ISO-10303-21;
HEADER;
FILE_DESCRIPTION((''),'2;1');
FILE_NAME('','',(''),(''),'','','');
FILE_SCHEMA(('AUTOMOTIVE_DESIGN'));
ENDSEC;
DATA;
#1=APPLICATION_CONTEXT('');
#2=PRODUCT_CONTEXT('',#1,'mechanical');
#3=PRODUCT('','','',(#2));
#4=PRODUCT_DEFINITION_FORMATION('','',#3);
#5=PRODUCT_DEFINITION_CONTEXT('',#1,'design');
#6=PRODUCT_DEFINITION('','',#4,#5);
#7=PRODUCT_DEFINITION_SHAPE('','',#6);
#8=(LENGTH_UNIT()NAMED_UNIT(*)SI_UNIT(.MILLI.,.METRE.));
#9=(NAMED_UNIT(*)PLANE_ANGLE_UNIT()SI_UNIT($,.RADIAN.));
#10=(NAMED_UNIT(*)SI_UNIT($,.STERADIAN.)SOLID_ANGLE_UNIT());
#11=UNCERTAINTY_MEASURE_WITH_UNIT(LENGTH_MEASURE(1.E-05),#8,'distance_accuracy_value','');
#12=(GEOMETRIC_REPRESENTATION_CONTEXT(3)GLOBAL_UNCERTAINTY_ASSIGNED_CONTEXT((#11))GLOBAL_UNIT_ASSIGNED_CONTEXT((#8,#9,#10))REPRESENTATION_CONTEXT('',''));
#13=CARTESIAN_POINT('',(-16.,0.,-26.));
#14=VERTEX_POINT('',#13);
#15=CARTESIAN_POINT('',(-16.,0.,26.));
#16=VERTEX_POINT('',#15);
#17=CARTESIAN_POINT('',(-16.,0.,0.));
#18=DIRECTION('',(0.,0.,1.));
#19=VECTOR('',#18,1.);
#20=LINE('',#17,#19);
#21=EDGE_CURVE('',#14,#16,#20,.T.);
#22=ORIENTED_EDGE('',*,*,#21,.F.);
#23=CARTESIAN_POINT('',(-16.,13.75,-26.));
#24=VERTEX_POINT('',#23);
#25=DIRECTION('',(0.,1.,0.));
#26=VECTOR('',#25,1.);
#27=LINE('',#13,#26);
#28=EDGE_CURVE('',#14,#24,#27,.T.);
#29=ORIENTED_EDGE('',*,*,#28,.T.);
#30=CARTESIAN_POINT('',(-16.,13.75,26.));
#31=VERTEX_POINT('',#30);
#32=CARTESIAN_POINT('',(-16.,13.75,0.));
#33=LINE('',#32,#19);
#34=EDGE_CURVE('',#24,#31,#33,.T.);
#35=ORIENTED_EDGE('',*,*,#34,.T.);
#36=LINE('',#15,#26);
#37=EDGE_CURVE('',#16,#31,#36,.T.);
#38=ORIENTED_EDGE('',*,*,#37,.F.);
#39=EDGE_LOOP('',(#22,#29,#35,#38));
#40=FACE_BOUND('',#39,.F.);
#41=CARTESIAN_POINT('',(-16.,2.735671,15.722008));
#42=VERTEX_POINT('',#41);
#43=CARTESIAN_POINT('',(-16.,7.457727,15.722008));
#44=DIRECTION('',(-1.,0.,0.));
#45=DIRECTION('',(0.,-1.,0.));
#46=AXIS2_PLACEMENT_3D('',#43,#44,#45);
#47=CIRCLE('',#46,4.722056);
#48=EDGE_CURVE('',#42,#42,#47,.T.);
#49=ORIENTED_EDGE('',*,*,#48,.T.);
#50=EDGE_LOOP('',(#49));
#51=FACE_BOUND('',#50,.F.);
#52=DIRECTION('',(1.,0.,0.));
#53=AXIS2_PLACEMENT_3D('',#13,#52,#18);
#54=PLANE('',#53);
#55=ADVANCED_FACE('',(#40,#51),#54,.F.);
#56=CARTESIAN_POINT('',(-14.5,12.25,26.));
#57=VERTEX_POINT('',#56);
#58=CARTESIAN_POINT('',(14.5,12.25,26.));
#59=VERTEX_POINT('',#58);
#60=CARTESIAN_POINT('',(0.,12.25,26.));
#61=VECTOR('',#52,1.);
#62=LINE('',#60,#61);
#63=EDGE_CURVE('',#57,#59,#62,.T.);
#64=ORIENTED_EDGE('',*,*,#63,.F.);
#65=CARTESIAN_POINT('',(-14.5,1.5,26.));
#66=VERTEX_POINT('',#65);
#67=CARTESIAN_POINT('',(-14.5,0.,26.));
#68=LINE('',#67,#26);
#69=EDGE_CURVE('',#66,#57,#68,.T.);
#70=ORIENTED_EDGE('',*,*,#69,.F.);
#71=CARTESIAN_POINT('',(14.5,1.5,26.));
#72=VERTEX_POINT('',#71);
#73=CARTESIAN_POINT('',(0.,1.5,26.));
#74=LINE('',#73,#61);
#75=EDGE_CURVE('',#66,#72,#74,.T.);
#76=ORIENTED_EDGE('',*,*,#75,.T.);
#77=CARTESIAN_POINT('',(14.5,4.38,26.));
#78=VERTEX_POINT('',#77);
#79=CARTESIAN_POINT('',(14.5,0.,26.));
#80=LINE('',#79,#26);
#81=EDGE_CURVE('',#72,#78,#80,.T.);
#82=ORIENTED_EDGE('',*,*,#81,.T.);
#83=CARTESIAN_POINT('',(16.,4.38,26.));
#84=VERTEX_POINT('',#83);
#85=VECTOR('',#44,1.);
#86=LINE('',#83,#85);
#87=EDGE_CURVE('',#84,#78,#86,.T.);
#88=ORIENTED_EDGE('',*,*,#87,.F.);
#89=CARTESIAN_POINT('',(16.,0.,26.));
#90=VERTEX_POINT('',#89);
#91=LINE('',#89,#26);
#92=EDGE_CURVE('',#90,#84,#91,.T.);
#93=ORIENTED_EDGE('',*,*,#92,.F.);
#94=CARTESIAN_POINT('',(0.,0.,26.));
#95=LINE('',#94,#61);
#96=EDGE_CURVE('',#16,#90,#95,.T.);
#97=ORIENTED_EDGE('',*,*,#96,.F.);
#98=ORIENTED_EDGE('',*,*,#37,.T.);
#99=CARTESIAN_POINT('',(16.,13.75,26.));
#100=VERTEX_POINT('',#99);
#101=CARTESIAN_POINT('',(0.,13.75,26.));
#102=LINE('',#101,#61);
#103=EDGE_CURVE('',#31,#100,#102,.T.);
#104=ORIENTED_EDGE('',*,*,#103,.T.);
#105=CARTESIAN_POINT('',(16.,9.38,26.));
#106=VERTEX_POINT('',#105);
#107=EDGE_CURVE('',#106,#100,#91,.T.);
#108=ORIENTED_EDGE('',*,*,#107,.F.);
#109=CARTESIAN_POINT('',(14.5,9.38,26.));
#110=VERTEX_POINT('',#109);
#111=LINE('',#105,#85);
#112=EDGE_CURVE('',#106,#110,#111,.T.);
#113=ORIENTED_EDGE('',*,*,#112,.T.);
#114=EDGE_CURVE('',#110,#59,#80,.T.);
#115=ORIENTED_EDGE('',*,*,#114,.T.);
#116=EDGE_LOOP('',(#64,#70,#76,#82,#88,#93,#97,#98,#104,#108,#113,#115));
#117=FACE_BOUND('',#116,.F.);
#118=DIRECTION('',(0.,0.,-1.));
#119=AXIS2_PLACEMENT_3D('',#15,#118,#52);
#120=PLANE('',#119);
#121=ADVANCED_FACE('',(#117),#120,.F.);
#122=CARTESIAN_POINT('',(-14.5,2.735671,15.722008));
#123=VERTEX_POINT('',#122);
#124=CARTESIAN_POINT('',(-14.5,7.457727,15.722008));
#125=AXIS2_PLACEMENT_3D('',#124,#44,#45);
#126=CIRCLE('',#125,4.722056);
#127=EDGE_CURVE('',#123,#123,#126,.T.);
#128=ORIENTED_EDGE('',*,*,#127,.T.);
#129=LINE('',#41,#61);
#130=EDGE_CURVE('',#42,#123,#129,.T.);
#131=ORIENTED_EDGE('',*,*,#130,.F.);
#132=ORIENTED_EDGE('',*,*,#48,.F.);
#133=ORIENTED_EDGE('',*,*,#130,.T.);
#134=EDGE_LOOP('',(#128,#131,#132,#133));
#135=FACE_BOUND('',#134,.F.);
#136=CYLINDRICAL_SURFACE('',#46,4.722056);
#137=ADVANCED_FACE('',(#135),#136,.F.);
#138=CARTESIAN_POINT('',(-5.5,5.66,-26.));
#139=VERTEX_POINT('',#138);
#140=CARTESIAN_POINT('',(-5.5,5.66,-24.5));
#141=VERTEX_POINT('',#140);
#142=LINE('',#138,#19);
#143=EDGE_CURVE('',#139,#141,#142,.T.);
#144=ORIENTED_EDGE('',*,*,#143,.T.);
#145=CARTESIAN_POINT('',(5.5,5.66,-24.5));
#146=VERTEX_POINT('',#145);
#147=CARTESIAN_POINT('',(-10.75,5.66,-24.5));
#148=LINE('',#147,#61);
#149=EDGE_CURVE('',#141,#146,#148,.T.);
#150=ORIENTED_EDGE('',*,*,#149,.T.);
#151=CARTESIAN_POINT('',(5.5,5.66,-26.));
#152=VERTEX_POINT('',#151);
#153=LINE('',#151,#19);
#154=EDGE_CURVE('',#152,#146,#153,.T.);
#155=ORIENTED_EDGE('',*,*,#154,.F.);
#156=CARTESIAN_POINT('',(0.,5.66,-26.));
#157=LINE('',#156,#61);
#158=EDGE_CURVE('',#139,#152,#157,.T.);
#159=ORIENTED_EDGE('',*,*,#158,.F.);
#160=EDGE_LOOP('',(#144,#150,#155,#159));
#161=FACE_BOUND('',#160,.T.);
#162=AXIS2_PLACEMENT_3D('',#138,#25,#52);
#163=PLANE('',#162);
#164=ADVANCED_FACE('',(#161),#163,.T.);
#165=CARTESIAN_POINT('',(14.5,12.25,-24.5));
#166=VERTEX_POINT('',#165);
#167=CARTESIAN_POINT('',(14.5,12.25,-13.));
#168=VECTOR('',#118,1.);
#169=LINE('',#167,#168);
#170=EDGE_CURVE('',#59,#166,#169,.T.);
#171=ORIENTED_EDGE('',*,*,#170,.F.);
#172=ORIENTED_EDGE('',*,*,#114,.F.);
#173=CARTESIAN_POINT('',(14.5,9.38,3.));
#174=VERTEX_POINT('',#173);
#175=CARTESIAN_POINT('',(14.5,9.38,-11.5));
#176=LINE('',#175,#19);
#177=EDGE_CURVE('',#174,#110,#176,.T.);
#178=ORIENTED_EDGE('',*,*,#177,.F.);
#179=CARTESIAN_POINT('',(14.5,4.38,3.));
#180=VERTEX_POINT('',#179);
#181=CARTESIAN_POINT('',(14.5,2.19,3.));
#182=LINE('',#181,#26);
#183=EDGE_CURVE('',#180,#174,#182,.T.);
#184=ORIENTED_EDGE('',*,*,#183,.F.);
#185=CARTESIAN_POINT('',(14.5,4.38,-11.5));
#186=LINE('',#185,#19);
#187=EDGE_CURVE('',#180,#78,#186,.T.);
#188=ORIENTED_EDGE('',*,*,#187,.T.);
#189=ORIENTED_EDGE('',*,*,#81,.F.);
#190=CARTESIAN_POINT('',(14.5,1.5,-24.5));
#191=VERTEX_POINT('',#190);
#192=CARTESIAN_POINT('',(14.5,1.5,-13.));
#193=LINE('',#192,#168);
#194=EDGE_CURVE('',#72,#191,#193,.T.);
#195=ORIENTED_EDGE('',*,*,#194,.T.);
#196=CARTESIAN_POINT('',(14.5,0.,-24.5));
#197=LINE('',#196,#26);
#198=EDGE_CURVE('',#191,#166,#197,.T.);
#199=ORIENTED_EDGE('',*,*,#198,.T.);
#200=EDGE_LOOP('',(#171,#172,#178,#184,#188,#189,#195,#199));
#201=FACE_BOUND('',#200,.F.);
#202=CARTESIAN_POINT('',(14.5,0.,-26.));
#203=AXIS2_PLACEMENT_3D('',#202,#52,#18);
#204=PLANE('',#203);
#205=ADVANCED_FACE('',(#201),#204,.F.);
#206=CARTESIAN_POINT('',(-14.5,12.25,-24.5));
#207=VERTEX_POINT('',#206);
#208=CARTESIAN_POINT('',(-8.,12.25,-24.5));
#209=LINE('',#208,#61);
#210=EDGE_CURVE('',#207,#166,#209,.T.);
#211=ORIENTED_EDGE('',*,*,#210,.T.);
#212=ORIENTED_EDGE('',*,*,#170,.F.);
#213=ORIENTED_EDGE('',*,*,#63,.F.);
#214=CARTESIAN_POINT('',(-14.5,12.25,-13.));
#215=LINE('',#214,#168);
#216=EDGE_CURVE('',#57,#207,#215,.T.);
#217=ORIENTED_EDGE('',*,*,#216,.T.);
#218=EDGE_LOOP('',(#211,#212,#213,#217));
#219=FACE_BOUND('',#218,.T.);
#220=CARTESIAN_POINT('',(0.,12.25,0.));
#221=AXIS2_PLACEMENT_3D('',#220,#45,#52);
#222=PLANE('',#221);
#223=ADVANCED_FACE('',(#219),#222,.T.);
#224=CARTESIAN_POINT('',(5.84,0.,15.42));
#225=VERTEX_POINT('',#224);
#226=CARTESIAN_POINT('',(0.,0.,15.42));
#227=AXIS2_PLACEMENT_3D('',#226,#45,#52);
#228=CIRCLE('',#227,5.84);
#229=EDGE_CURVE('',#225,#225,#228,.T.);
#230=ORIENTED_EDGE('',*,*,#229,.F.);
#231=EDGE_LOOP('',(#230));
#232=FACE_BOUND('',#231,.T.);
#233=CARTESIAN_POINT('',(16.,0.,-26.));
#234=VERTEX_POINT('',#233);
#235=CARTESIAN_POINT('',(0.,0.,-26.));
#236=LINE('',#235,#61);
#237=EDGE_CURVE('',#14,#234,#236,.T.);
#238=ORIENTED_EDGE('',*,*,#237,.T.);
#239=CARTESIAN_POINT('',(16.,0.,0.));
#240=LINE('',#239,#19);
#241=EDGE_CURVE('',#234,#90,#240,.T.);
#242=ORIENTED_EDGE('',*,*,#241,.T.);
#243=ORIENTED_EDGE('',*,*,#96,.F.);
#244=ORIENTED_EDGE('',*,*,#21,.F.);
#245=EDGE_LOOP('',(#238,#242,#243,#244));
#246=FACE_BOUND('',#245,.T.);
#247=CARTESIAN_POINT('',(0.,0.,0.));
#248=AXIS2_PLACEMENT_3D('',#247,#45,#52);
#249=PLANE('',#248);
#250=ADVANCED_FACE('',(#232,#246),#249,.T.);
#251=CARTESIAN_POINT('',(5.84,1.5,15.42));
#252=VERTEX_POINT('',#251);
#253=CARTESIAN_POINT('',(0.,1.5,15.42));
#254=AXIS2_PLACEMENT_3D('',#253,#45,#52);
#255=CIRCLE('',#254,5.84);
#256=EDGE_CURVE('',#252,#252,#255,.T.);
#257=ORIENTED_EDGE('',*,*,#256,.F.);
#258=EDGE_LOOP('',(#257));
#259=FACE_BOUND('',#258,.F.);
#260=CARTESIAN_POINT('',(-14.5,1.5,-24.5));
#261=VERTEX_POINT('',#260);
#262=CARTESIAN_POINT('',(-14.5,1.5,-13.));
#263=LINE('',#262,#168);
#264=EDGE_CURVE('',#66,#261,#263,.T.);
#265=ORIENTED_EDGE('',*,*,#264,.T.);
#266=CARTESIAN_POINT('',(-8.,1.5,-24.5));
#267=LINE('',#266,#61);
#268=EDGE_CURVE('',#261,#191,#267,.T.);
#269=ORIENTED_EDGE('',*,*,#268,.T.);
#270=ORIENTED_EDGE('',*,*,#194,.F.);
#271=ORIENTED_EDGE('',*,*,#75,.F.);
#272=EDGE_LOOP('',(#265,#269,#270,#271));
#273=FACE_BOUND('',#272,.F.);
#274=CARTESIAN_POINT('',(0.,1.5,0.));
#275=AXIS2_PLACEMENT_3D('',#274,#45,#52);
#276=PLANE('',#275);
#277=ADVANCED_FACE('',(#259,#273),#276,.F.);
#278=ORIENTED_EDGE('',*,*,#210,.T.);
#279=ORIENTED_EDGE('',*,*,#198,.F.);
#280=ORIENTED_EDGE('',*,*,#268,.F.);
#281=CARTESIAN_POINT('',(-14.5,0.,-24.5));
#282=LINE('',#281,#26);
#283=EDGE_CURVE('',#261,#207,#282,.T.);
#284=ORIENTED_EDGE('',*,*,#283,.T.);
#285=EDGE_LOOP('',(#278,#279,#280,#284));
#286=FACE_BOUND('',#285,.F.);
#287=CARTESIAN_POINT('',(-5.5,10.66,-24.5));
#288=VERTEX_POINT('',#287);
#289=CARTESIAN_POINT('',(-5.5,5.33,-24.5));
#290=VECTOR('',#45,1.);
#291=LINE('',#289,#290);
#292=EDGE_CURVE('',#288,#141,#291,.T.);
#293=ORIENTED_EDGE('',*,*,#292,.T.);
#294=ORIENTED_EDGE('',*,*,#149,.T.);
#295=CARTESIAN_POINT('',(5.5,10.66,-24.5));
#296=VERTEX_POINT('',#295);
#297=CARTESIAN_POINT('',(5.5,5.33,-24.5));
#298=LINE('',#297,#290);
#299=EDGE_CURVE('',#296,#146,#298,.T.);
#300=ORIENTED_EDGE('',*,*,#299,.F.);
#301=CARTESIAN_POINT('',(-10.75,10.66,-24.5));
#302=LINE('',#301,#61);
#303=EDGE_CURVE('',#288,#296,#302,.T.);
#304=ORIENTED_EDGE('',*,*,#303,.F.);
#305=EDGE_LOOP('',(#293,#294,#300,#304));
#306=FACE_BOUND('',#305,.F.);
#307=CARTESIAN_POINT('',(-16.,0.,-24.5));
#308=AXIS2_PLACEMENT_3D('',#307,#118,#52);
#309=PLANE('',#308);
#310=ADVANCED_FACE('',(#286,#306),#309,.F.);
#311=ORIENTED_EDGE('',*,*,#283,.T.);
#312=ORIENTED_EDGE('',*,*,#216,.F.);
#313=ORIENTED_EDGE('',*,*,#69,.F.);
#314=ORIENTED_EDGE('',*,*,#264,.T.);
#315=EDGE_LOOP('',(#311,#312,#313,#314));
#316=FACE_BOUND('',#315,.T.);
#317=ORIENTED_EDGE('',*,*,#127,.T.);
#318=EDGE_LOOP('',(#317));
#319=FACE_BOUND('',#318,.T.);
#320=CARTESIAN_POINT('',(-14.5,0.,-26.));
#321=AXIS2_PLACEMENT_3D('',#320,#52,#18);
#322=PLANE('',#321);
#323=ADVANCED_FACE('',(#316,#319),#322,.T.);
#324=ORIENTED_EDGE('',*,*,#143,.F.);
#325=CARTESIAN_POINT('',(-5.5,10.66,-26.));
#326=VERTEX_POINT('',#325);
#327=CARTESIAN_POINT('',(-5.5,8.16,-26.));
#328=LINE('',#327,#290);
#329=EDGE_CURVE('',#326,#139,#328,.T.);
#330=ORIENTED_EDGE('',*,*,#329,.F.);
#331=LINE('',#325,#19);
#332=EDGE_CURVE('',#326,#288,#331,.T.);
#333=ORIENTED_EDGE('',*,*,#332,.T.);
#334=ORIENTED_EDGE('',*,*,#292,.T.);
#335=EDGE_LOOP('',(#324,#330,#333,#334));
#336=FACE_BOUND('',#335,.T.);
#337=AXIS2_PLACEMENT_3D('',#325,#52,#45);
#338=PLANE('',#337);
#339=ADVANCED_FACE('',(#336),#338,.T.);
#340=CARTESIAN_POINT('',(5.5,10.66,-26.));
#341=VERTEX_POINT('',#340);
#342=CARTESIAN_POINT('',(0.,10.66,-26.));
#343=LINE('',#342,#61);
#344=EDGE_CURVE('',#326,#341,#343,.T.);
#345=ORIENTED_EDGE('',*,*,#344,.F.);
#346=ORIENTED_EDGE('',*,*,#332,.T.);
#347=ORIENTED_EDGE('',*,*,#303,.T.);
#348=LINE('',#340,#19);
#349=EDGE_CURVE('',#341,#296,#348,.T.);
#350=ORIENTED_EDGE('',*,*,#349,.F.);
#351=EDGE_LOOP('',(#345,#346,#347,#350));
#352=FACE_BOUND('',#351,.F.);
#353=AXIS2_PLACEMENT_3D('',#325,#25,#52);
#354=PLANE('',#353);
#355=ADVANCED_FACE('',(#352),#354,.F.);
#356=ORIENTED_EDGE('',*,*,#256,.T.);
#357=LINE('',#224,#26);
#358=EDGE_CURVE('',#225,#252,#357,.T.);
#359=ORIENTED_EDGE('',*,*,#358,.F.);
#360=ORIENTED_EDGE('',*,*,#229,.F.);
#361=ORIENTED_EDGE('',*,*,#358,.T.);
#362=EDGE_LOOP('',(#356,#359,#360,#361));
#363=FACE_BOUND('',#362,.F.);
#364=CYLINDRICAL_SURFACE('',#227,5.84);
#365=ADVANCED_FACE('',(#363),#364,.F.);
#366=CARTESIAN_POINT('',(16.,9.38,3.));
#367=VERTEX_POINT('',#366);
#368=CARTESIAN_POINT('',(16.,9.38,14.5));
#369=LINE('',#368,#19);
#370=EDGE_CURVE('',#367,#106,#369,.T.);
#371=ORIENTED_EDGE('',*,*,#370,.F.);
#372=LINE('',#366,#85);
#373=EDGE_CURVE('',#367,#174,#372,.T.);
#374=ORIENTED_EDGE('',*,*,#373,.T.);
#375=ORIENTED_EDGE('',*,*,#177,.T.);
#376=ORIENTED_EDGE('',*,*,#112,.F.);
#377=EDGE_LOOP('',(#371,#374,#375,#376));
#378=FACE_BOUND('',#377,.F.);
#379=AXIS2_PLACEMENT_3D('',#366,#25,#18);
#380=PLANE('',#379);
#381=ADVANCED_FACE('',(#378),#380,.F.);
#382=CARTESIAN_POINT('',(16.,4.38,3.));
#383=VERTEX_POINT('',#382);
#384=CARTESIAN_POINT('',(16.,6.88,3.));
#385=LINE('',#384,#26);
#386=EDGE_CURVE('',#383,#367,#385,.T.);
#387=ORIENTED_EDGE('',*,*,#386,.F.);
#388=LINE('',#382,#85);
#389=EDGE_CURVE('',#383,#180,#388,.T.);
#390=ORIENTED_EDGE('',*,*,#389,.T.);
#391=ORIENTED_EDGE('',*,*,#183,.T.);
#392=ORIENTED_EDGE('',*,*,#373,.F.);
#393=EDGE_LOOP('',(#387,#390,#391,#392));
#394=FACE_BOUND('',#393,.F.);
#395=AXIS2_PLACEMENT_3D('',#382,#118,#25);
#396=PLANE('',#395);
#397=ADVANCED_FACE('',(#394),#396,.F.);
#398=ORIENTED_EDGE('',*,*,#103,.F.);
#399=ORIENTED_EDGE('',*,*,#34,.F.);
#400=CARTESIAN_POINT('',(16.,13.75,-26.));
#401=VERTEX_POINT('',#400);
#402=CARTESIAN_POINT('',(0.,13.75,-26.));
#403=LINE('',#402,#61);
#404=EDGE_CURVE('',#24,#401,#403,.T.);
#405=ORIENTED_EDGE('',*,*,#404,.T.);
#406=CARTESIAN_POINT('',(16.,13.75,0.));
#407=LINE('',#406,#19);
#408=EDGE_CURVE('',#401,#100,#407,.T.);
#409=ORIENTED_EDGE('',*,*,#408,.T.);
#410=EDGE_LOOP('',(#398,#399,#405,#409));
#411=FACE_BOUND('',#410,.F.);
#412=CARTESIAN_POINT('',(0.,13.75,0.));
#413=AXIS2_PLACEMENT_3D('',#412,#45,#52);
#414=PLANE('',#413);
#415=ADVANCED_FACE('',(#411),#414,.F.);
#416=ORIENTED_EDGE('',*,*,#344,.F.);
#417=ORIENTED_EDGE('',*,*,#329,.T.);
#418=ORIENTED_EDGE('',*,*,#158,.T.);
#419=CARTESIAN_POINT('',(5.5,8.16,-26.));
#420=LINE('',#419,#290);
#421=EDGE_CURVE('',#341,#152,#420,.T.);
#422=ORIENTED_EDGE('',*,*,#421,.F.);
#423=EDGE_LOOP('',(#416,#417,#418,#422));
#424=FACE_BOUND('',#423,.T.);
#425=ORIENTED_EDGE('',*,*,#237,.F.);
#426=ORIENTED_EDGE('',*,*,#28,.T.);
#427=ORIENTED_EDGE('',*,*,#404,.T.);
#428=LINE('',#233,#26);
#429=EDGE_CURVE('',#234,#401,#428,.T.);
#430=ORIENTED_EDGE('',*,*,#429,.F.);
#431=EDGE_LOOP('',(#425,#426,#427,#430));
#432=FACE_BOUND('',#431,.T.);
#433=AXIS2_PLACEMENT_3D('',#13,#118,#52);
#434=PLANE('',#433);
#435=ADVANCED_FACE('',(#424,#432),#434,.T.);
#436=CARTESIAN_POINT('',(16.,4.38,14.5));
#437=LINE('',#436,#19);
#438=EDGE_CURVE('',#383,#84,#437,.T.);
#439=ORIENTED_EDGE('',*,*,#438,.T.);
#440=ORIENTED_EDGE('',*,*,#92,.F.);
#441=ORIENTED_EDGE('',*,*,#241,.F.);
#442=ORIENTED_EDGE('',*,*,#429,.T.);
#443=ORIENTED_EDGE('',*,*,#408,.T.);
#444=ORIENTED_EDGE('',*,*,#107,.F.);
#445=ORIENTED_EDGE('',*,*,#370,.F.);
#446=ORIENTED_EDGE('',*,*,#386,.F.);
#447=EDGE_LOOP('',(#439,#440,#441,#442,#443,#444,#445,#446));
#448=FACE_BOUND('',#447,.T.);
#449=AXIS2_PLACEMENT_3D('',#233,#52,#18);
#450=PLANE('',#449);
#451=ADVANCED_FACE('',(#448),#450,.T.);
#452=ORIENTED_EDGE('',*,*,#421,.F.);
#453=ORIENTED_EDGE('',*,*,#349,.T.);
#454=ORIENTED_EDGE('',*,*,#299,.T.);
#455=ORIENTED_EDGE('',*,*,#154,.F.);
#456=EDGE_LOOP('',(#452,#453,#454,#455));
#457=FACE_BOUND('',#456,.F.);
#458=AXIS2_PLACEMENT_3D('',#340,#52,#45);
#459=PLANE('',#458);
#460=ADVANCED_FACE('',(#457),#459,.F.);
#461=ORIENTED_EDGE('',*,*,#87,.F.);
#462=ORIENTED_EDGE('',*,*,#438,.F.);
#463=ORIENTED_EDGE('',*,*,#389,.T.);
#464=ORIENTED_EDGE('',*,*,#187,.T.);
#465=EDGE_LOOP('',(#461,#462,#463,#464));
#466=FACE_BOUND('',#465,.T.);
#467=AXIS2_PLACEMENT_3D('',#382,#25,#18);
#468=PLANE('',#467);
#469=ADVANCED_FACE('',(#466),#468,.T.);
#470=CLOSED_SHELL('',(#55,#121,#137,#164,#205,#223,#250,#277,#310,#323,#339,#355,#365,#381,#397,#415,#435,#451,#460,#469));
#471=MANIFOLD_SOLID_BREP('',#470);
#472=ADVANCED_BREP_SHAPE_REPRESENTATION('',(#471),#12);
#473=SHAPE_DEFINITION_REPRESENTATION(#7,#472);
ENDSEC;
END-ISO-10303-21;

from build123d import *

# Parameters (mm, degrees)
F0_W      = 32
F0_H      = 52
F1_DEPTH  = 13.75
F2_T      = -1.5
F3_R      = 5.84
F4_DEPTH  = 1.5
F5_R      = 4.722056
F6_DEPTH  = 3
F7_W      = 5
F7_H      = 23
F8_DEPTH  = 2
F9_W      = 11
F9_H      = 5
F10_DEPTH = 2


with BuildPart() as f1:
    # F0 (on Front) → F1 (new body)
    with BuildSketch(Plane.XZ):
        Rectangle(F0_W, F0_H)
    extrude(amount=-F1_DEPTH)

    # F2
    f2_openings = [f1.faces().sort_by_distance(p)[0] for p in [
        (0, 6.875, 26),
    ]]
    offset(amount=F2_T, openings=f2_openings)

    # F3 (on Front) → F4 (cut)
    with BuildSketch(Plane.XZ):
        with Locations((0, 15.42)):
            Circle(F3_R)
    extrude(amount=-F4_DEPTH, mode=Mode.SUBTRACT)

    # F5 (on face) → F6 (cut)
    with BuildSketch(Plane(origin=(-16, 0, 0), x_dir=(0, -1, 0), z_dir=(-1, 0, 0))):
        with Locations((-7.457727, 15.722008)):
            Circle(F5_R)
    extrude(amount=-F6_DEPTH, mode=Mode.SUBTRACT)

    # F7 (on face) → F8 (cut)
    with BuildSketch(Plane.YZ.offset(16)):
        with Locations((6.88, 14.5)):
            Rectangle(F7_W, F7_H)
    extrude(amount=-F8_DEPTH, mode=Mode.SUBTRACT)

    # F9 (on face) → F10 (cut)
    with BuildSketch(Plane(origin=(0, 0, -26), x_dir=(1, 0, 0), z_dir=(0, 0, -1))):
        with Locations((0, -8.16)):
            Rectangle(F9_W, F9_H)
    extrude(amount=-F10_DEPTH, mode=Mode.SUBTRACT)


solid = f1.part
